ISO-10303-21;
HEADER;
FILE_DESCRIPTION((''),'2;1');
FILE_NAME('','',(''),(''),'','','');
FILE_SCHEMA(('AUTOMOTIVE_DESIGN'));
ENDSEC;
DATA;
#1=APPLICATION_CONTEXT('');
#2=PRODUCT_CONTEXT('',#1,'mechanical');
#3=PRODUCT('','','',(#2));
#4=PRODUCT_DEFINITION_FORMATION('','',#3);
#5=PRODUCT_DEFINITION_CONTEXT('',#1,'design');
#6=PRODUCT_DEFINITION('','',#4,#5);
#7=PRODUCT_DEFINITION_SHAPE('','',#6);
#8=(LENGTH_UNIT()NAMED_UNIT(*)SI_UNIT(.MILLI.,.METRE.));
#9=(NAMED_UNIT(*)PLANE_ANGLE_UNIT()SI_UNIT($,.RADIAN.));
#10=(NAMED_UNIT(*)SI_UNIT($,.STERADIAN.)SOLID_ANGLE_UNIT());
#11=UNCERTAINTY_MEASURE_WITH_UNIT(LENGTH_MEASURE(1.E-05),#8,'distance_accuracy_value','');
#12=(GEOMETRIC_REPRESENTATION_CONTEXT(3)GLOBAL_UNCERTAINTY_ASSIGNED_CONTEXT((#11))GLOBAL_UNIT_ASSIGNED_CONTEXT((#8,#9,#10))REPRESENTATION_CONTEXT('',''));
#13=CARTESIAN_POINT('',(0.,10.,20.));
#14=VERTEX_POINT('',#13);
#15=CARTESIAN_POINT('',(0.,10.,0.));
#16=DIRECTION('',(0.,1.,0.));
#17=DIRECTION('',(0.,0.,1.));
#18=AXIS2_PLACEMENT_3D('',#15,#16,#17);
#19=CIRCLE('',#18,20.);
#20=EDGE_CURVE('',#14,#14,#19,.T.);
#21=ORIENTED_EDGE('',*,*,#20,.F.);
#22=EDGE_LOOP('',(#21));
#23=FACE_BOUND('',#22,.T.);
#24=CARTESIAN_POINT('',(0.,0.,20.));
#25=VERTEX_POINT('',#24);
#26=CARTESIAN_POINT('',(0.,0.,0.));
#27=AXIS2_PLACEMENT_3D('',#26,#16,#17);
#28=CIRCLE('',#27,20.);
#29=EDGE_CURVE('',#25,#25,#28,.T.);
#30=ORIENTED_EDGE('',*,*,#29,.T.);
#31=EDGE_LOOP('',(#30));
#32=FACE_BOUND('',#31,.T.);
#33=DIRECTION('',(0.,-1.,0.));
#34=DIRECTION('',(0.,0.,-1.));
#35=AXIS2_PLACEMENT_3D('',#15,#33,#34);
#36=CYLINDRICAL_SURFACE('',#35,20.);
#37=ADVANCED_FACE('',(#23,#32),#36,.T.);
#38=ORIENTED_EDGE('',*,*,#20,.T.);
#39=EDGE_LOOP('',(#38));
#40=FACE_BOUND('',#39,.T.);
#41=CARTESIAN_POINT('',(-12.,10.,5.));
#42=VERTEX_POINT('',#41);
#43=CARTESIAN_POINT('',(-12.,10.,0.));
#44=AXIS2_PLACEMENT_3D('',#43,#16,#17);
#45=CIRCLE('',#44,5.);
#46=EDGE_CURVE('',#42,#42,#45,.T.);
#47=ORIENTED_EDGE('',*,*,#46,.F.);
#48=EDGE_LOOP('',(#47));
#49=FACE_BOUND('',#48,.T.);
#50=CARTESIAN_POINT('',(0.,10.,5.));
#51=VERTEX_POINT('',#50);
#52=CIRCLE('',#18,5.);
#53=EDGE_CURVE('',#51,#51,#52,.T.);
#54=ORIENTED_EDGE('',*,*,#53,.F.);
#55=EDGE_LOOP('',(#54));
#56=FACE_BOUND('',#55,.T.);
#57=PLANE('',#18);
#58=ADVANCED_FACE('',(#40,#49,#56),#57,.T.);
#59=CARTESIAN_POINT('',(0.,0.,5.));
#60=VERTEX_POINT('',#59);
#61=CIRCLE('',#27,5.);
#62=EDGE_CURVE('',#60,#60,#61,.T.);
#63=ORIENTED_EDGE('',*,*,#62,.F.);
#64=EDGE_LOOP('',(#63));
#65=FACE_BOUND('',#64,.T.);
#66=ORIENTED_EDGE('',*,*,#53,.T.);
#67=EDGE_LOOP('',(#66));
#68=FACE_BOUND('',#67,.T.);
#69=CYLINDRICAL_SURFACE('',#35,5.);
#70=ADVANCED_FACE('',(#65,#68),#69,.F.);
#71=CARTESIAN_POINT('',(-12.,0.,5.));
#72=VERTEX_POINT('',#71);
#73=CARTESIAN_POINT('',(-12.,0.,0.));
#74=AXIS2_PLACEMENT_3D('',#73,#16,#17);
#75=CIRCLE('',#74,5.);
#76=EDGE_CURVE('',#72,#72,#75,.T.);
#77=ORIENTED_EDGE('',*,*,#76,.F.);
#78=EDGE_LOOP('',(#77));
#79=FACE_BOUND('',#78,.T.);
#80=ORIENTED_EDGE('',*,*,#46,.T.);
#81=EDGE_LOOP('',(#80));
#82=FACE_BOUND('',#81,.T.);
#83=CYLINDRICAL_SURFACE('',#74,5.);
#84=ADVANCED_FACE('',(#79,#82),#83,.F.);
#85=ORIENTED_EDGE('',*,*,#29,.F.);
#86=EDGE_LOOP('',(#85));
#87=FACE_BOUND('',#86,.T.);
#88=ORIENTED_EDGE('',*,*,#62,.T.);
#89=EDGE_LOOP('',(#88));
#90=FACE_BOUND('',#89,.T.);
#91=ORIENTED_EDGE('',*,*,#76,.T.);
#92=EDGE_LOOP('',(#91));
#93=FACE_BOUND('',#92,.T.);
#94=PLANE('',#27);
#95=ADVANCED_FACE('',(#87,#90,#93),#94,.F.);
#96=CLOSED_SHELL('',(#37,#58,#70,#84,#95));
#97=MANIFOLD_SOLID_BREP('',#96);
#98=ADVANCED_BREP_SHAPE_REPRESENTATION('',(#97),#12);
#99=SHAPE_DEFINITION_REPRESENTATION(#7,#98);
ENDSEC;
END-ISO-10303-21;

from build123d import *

# Parameters (mm, degrees)
SKETCH1_R           = 20
SKETCH1_R_2         = 5
BOSS_EXTRUDE1_DEPTH = 10
SKETCH4_R           = 5
CUT_EXTRUDE1_DEPTH  = 11


with BuildPart() as part:
    # Sketch1 → Boss-Extrude1 (new body)
    with BuildSketch(Plane(origin=(0, 0, 0), x_dir=(1, 0, 0), z_dir=(0, 1, 0))):
        with Locations(Location((0, 0, 0), (0, 0, 270))):  # turned: the seam where the file's is
            Circle(SKETCH1_R)
        with Locations(Location((0, 0, 0), (0, 0, 270))):  # turned: the seam where the file's is
            Circle(SKETCH1_R_2, mode=Mode.SUBTRACT)
    extrude(amount=BOSS_EXTRUDE1_DEPTH)

    # Sketch4 → Cut-Extrude1 (cut, through all)
    with BuildSketch(Plane(origin=(0, 10, 0), x_dir=(1, 0, 0), z_dir=(0, 1, 0))):
        with Locations(Location((-12, 0, 0), (0, 0, 270))):  # turned: the seam where the file's is
            Circle(SKETCH4_R)
    extrude(amount=-CUT_EXTRUDE1_DEPTH, mode=Mode.SUBTRACT)


solid = part.part
